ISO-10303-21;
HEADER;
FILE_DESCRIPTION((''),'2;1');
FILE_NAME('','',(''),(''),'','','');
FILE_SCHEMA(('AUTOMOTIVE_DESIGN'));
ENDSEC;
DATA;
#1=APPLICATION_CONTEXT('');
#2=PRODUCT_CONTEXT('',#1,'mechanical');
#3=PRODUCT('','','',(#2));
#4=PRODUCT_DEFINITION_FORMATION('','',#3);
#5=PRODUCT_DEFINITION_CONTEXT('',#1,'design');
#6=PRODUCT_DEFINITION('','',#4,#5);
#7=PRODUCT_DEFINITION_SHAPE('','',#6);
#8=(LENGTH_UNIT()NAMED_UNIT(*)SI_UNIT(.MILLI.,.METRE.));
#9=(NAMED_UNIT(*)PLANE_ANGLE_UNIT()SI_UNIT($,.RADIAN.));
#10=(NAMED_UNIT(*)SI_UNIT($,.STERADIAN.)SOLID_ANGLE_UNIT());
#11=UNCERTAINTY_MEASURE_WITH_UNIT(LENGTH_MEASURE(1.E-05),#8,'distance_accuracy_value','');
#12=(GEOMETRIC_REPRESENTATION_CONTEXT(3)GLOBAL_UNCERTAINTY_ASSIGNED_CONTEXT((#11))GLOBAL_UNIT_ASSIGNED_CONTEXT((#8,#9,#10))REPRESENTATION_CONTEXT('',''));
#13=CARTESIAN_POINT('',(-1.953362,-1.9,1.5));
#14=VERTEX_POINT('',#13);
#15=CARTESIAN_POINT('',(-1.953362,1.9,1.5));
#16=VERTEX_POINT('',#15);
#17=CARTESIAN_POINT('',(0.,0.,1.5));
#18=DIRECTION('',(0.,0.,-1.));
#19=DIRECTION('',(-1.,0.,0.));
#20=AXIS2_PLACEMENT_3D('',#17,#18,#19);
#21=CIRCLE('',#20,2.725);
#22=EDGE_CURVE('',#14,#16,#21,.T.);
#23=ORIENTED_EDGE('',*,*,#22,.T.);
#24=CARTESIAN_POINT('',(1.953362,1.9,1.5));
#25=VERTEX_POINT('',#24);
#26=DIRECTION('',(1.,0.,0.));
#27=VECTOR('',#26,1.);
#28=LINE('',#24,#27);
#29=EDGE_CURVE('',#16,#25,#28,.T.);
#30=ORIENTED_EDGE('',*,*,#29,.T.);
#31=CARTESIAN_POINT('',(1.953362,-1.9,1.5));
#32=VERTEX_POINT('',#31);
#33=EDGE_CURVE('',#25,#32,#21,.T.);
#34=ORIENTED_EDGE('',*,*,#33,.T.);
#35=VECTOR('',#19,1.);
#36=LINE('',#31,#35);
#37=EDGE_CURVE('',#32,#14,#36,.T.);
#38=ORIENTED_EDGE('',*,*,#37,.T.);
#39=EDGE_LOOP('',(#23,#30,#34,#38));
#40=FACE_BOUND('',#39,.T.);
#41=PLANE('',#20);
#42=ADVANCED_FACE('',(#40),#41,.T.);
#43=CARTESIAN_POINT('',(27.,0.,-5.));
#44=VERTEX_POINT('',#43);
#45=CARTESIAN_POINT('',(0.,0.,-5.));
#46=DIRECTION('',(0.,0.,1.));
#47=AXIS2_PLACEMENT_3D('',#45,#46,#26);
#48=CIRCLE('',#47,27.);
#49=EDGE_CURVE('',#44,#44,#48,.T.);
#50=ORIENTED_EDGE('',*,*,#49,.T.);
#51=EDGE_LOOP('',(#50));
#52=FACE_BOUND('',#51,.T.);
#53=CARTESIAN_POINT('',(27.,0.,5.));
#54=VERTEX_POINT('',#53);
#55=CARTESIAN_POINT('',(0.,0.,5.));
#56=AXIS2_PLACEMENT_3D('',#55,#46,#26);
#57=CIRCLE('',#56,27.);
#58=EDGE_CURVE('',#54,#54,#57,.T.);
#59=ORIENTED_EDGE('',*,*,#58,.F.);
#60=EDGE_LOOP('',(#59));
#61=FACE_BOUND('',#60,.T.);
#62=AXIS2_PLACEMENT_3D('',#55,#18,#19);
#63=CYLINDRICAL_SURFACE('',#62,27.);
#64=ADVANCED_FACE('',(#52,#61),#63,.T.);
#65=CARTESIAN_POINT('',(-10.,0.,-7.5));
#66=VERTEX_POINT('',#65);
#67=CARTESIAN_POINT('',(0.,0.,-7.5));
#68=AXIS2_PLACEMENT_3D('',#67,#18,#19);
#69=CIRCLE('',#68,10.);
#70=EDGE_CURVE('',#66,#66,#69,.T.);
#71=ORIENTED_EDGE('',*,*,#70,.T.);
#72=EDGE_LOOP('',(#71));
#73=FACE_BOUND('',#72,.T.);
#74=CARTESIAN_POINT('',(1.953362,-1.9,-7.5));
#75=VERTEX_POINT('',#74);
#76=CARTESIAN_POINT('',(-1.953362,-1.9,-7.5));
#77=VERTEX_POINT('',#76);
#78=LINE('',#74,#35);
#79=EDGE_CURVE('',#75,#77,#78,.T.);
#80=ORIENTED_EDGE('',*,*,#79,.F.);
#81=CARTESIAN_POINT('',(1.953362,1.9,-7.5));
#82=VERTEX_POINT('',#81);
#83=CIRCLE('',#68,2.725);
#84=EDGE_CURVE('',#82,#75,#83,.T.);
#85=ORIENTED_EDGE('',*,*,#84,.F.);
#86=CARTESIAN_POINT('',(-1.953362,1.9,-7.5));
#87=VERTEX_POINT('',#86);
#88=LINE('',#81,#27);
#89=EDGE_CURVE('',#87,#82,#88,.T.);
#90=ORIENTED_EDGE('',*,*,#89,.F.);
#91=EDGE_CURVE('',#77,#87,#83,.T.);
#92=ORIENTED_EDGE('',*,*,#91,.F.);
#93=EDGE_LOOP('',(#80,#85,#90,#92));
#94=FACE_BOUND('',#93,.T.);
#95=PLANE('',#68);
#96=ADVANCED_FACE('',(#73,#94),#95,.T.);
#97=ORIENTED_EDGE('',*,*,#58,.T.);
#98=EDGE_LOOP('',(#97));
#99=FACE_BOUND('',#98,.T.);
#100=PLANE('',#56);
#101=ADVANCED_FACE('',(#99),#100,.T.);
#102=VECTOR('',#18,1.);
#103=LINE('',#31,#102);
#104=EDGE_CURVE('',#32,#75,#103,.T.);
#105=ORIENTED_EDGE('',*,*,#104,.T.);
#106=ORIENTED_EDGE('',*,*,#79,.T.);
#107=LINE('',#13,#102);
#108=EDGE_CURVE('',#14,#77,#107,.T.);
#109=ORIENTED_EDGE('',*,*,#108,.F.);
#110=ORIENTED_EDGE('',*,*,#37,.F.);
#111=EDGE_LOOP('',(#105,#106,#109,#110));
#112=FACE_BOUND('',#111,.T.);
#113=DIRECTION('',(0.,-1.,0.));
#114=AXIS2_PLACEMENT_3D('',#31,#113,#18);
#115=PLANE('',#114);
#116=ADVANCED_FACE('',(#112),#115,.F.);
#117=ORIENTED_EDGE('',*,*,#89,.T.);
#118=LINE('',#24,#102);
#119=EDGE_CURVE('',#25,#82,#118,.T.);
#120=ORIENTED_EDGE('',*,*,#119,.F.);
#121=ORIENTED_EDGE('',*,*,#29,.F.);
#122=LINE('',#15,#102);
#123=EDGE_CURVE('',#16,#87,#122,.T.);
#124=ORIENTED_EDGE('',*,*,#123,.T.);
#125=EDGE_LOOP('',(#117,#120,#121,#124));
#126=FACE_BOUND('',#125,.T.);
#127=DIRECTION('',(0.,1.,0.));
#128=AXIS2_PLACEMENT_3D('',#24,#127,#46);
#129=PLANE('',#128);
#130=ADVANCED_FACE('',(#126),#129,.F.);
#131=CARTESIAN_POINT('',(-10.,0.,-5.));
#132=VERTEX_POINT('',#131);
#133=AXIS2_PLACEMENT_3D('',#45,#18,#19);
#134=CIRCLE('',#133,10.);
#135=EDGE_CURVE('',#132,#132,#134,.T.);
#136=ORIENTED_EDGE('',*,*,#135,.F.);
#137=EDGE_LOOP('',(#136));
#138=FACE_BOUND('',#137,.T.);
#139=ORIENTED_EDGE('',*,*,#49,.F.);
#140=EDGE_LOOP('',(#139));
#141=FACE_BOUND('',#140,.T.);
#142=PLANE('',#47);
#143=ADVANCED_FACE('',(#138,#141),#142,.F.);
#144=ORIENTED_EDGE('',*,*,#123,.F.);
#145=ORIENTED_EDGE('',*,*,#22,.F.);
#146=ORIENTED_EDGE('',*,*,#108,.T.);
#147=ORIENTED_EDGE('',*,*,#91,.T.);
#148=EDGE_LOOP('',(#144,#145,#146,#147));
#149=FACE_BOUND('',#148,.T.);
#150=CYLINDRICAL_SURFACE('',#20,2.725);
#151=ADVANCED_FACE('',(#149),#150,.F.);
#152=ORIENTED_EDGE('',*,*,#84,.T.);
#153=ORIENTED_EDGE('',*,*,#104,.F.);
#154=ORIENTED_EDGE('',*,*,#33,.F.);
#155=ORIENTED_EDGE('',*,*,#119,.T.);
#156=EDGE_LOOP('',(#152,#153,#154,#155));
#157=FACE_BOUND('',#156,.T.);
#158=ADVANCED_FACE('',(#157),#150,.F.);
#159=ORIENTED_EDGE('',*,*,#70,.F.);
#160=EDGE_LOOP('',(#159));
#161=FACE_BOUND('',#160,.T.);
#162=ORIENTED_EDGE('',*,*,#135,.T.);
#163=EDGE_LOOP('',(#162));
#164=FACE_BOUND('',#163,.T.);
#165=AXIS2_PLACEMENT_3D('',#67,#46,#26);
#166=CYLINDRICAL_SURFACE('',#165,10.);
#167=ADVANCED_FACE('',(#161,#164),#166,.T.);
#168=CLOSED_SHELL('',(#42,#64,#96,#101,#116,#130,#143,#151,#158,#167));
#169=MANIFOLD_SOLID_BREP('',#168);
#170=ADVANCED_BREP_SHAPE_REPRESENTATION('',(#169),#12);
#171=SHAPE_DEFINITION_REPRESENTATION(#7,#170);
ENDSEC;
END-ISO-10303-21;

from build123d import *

# Parameters (mm, degrees)
SKETCH1_R           = 27
BOSS_EXTRUDE1_DEPTH = 5
SKETCH2_R           = 10
BOSS_EXTRUDE2_DEPTH = 2.5
CUT_EXTRUDE1_DEPTH  = 9


with BuildPart() as part:
    # Sketch1 → Boss-Extrude1 (new, symmetric)
    with BuildSketch(Plane.XY):
        Circle(SKETCH1_R)
    extrude(amount=BOSS_EXTRUDE1_DEPTH, both=True)

    # Sketch2 → Boss-Extrude2 (add)
    with BuildSketch(Plane(origin=(0, 0, -5), x_dir=(-1, 0, 0), z_dir=(0, 0, -1))):
        Circle(SKETCH2_R)
    extrude(amount=BOSS_EXTRUDE2_DEPTH)

    # Sketch3 → Cut-Extrude1 (cut)
    with BuildSketch(Plane(origin=(0, 0, -7.5), x_dir=(-1, 0, 0), z_dir=(0, 0, -1))):
        with BuildLine():
            Line((-1.953362486, -1.9), (1.953362486, -1.9))
            ThreePointArc((1.953362486, -1.9), (2.725, 0), (1.953362486, 1.9))
            Line((1.953362486, 1.9), (-1.953362486, 1.9))
            ThreePointArc((-1.953362486, 1.9), (-2.725, 0), (-1.953362486, -1.9))
        make_face()
    extrude(amount=-CUT_EXTRUDE1_DEPTH, mode=Mode.SUBTRACT)


solid = part.part
